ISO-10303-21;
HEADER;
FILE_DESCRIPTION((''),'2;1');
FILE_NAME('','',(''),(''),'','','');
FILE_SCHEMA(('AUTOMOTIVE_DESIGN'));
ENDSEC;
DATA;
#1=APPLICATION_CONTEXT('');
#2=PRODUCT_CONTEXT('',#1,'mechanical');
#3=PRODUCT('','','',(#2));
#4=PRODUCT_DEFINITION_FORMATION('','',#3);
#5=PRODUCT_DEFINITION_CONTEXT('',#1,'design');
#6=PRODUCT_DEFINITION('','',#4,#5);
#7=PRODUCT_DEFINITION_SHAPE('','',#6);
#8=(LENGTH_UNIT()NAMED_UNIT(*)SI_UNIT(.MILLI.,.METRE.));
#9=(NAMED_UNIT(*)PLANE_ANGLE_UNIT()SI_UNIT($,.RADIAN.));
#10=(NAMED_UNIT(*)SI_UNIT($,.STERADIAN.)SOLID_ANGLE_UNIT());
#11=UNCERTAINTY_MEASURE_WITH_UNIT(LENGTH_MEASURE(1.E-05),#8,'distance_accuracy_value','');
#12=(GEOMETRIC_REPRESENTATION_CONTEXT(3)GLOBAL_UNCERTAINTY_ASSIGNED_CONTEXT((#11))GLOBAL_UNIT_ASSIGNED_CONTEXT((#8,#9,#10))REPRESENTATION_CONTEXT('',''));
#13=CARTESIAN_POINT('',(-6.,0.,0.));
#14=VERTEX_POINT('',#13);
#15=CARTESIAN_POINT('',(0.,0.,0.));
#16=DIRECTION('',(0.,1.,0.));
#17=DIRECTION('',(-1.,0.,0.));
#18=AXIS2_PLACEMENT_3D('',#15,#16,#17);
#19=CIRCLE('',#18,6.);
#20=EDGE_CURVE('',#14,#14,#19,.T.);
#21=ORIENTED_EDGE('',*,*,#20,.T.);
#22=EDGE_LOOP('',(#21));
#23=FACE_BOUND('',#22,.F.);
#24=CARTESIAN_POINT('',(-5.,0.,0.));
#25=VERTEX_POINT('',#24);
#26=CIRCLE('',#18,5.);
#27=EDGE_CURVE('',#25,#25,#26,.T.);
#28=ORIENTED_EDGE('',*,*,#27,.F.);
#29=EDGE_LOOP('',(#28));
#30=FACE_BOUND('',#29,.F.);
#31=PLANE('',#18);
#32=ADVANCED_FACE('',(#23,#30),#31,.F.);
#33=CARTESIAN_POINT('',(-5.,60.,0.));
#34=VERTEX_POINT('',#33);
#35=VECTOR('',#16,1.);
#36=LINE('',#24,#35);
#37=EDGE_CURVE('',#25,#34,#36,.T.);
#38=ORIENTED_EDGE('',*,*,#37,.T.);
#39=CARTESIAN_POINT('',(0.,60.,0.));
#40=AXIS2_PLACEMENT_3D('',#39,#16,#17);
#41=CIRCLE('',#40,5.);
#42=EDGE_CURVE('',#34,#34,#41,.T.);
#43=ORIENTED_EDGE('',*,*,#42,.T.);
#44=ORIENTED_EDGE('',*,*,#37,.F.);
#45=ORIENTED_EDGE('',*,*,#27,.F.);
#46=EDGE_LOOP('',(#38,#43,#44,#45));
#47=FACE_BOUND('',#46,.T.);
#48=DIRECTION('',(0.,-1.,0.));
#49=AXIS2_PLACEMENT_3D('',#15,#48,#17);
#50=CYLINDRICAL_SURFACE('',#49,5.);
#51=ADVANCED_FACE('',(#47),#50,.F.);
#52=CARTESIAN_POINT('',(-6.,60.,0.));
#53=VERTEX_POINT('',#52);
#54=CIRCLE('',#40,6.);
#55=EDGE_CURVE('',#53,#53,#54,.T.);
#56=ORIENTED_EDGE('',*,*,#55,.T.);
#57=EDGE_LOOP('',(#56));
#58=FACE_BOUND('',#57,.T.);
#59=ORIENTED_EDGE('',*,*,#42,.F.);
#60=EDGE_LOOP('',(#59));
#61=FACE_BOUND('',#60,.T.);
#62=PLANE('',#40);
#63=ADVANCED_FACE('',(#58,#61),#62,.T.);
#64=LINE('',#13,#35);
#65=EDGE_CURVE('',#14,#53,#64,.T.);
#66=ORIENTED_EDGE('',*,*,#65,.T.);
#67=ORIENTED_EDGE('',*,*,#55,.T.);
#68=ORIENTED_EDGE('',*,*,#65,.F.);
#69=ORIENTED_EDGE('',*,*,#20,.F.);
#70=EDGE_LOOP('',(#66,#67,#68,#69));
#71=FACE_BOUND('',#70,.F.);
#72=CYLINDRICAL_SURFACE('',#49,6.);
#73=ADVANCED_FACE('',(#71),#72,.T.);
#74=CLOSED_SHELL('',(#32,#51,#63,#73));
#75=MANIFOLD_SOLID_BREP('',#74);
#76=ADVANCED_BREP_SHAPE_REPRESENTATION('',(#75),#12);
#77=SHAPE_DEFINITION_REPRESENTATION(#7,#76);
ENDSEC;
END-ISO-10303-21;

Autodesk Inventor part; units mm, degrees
ref_plane "YZ Plane" through (0, 0, 0) normal (1, 0, 0) x (0, 1, 0)
ref_plane "XZ Plane" through (0, 0, 0) normal (0, 1, 0) x (-1, 0, 0)
ref_plane "XY Plane" through (0, 0, 0) normal (0, 0, 1) x (1, 0, 0)
sketch "Sketch1" plane through (0, 0, 0) normal (0, 1, 0) x (-1, 0, 0)
  circle A0 centre (0, 0) radius 6
  circle A1 centre (0, 0) radius 5
  dimension "d0" = 12
  dimension "d1" = 10
extrude "Extrusion1" add sketch "Sketch1" along normal blind 60
properties part number "12mm_shaft"
